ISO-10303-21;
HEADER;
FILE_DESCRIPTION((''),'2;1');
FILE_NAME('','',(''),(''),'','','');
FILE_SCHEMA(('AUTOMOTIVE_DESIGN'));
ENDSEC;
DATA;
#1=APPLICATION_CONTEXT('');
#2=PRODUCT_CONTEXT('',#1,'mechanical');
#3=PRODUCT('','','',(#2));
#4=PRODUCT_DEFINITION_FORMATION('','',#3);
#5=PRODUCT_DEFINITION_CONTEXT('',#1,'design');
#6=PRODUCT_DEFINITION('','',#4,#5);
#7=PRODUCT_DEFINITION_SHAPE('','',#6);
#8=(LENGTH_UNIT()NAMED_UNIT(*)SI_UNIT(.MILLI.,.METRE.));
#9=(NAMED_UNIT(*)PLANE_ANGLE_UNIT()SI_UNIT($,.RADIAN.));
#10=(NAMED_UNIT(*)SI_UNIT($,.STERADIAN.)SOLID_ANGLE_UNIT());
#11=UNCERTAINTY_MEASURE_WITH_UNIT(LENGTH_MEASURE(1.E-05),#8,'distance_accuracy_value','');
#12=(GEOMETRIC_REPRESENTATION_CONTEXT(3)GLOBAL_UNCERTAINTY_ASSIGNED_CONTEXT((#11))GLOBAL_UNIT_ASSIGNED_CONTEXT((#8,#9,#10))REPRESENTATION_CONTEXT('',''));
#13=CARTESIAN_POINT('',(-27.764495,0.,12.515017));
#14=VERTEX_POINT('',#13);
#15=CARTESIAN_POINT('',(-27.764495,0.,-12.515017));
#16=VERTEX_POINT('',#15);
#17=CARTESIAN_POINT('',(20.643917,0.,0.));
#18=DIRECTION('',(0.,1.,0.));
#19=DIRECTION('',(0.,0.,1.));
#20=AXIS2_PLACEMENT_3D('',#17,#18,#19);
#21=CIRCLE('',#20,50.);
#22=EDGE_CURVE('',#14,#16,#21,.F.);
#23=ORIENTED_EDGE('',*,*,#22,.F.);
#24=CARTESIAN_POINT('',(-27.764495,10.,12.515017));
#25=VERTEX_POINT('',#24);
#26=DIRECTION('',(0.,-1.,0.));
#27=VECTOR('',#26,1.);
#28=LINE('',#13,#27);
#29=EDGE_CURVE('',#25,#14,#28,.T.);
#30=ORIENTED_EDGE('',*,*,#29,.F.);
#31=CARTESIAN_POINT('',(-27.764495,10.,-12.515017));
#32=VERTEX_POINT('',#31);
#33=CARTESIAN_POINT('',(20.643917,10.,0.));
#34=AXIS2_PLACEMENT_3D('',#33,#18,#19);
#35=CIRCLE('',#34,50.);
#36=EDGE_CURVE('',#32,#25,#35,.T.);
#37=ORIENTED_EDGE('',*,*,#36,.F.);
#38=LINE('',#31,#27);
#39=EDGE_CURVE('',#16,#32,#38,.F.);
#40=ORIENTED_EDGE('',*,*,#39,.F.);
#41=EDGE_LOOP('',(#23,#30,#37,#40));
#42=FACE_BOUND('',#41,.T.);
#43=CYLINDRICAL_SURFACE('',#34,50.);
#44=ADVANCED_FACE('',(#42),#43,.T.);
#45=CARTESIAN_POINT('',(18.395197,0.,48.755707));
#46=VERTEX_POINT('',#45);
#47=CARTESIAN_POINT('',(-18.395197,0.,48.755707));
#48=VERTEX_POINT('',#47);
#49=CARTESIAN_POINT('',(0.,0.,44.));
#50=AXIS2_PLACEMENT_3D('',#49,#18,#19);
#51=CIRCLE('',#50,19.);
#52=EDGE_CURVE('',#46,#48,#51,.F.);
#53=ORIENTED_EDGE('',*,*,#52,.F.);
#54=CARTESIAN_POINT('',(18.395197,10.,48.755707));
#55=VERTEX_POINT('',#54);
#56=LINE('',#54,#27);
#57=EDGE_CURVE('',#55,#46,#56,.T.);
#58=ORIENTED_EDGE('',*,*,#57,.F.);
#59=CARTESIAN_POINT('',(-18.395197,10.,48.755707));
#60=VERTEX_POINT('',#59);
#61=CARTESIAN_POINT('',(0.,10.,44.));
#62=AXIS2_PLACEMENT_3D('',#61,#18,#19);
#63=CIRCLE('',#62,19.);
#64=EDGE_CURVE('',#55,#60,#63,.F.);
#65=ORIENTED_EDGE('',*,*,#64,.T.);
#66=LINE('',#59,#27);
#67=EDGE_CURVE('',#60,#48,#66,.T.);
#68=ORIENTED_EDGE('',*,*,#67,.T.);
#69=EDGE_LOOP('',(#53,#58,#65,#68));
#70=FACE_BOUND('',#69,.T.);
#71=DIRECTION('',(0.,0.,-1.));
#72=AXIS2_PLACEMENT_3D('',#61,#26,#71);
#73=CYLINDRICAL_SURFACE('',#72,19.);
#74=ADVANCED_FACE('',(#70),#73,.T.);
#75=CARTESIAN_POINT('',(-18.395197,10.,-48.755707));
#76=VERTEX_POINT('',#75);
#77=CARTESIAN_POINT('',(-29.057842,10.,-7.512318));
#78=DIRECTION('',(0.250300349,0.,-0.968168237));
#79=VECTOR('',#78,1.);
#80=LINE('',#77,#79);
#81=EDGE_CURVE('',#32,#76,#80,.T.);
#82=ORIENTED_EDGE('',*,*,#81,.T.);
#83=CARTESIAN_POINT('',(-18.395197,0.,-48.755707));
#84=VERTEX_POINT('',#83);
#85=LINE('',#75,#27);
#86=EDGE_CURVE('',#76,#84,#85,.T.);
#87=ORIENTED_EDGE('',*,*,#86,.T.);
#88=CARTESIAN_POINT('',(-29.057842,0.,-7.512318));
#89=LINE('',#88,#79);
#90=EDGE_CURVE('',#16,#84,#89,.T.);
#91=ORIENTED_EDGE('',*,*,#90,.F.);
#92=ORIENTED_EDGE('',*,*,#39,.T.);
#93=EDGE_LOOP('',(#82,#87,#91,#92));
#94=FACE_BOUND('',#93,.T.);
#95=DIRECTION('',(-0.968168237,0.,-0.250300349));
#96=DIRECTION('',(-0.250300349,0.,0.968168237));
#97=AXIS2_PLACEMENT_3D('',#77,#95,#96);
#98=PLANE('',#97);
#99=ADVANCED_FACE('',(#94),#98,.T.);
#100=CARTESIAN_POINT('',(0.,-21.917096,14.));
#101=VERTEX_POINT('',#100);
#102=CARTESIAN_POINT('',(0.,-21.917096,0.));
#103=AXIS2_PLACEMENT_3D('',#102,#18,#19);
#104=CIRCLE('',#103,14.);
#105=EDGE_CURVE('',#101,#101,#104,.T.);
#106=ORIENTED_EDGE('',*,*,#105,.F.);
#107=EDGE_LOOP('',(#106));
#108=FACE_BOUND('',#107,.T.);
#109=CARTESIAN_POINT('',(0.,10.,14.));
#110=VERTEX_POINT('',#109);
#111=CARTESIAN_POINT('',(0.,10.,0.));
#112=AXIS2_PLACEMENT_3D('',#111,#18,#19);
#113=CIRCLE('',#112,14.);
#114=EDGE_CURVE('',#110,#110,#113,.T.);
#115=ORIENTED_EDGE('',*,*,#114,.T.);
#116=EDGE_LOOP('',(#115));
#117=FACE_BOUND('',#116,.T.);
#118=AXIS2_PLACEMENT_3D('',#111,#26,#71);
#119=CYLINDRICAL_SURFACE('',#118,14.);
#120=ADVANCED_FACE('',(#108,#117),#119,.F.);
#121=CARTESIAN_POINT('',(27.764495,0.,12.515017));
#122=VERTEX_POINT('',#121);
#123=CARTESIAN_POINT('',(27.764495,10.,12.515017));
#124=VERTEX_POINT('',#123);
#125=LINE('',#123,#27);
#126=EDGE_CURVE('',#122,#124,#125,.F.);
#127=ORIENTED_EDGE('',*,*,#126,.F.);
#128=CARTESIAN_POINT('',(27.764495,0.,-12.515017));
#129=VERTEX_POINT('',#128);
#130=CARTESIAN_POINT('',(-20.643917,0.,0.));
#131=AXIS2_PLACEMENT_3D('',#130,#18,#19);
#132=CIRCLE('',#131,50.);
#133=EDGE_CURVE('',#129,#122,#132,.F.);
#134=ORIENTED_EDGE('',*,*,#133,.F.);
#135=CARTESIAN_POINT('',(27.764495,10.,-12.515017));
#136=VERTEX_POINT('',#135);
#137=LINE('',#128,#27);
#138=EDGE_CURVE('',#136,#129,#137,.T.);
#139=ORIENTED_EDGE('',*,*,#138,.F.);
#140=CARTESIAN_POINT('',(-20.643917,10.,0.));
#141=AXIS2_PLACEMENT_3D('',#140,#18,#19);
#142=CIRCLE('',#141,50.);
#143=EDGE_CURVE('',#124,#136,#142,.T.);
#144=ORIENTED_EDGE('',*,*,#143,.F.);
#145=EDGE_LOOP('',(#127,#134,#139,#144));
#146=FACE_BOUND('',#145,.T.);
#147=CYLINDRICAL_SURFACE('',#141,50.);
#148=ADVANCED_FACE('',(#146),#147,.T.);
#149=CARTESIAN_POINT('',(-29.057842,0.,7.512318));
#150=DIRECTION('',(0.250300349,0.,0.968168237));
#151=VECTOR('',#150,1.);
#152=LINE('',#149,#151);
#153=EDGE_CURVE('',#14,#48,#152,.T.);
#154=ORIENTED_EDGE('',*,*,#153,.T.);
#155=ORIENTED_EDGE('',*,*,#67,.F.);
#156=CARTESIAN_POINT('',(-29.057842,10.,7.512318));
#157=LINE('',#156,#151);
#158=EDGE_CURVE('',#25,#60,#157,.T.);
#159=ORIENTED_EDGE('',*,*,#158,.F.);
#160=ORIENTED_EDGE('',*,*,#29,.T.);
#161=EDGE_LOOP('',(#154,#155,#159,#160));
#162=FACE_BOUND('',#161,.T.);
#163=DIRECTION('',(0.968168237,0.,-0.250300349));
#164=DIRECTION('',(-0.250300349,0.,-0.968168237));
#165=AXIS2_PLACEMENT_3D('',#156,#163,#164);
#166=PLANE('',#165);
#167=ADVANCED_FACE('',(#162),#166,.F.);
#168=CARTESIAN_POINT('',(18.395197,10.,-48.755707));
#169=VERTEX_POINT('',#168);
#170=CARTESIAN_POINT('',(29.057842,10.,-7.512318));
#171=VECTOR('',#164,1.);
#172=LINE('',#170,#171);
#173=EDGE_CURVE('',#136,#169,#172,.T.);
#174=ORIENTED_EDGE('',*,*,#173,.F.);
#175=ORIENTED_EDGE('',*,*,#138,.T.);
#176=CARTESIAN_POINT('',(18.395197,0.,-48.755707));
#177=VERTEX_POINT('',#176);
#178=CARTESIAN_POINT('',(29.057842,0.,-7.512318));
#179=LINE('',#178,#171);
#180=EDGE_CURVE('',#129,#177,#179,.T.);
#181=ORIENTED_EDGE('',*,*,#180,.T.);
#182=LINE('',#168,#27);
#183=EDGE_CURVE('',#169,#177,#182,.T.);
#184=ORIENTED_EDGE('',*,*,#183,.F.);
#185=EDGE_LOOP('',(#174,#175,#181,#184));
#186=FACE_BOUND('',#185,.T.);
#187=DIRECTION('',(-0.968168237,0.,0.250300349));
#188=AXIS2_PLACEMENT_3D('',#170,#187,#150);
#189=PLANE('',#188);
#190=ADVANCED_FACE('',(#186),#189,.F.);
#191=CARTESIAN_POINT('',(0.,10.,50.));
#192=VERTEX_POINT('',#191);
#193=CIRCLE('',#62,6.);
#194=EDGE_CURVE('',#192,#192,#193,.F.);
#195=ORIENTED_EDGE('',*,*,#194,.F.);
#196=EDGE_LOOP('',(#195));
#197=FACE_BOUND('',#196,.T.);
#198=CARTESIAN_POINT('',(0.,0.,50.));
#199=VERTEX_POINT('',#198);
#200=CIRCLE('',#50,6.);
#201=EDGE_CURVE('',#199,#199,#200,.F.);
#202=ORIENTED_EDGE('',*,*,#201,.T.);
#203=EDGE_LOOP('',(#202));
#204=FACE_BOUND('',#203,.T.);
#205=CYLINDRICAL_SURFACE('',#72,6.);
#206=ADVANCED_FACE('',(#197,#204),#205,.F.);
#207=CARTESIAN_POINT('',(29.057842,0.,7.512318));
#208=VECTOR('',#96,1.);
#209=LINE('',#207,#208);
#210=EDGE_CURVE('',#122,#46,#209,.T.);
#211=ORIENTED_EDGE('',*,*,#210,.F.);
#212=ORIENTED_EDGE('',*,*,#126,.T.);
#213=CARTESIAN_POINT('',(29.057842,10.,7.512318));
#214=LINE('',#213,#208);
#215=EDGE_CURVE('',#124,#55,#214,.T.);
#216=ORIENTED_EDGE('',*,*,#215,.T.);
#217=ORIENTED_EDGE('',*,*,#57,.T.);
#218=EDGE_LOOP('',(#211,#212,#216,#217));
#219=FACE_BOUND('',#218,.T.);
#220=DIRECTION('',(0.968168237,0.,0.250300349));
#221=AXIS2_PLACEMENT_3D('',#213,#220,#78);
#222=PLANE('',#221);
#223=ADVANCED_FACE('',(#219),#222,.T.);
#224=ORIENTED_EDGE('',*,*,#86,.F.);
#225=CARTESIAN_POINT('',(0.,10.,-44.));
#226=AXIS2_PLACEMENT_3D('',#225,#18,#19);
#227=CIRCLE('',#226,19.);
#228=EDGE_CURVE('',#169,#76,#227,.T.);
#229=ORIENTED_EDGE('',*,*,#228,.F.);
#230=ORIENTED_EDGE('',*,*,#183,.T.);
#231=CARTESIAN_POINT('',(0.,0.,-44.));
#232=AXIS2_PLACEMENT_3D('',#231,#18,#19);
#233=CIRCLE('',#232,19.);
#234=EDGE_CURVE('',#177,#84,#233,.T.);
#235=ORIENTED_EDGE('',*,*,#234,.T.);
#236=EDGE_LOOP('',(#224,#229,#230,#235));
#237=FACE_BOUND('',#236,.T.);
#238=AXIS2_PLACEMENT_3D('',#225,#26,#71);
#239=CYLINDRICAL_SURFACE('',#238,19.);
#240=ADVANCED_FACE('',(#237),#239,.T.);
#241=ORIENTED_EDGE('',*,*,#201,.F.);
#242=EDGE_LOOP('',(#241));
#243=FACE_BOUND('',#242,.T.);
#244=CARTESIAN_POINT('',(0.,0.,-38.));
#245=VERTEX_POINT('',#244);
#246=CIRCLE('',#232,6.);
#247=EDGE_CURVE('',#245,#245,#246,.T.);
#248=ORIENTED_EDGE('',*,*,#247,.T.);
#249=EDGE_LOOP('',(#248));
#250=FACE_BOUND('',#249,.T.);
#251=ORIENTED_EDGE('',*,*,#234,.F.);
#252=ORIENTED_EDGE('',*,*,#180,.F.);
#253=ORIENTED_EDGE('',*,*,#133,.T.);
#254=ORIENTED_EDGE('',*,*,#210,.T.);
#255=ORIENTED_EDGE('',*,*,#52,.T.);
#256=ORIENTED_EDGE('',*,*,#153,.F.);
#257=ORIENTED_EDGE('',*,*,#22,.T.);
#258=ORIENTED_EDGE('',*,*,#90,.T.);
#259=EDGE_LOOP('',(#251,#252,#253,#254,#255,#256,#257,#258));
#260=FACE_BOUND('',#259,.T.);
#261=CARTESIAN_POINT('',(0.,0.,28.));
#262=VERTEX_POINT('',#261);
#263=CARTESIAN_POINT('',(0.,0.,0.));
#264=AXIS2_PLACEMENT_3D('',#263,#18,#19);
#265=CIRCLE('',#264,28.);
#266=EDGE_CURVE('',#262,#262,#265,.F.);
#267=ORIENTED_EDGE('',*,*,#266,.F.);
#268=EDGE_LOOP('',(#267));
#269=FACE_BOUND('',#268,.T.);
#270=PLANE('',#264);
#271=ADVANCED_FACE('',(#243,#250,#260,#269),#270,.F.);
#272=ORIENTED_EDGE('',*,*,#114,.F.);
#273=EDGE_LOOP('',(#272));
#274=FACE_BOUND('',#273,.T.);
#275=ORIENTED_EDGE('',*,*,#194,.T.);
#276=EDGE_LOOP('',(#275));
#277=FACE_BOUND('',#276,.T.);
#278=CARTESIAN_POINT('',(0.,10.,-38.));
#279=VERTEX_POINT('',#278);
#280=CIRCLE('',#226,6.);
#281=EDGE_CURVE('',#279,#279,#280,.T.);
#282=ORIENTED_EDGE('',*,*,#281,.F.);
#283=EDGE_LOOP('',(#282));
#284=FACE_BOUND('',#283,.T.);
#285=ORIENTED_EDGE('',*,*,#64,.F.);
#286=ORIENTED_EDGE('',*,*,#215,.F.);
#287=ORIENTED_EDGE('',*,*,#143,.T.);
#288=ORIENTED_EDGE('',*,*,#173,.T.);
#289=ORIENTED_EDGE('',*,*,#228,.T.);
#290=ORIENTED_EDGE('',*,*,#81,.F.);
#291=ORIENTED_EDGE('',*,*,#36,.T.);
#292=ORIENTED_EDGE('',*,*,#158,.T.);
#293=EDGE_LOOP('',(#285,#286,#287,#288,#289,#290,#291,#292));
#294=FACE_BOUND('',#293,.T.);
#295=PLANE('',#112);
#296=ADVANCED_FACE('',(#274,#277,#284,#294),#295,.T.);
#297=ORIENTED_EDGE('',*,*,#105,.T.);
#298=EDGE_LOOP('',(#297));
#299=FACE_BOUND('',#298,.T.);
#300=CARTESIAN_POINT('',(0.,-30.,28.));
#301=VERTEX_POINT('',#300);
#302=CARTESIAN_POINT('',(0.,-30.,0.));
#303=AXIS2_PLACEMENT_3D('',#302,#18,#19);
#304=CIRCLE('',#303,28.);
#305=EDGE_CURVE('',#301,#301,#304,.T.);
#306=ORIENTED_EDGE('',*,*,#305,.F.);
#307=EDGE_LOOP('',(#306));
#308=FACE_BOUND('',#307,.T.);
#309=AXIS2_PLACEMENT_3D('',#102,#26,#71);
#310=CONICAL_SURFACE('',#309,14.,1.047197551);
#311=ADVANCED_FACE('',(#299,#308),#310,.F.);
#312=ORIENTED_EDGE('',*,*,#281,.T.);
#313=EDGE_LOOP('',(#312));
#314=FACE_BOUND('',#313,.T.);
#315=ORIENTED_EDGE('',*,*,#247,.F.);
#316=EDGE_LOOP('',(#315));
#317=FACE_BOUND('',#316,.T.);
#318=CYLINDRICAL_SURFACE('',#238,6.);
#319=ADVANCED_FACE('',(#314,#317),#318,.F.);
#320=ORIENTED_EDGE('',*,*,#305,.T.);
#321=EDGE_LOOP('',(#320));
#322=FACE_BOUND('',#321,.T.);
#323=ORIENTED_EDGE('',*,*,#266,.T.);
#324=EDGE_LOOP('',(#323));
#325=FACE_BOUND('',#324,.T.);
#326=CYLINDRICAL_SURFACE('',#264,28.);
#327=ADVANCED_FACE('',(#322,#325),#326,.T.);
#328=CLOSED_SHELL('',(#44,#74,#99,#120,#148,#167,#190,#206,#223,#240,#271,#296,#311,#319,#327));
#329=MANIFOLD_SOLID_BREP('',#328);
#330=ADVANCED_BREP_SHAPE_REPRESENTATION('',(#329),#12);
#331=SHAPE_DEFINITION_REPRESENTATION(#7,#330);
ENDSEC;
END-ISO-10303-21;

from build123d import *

# Parameters (mm, degrees)
SKETCH1_R           = 14
SKETCH1_R_2         = 19
SKETCH1_R_3         = 6
BOSS_EXTRUDE1_DEPTH = 10
FILLET1_R           = 50


with BuildPart() as part:
    # Sketch1 → Boss-Extrude1 (new body)
    # profile 1 of 3: a face of its own
    with BuildSketch(Plane(origin=(0, 0, 0), x_dir=(1, 0, 0), z_dir=(0, 1, 0))):
        with BuildLine():
            Line((-18.395196505, 48.755706629), (-31, 0))
            Line((-31, 0), (-18.395196505, -48.755706629))
            ThreePointArc((-18.395196505, -48.755706629), (-2.397005048, -25.151807333), (19, -44))
            ThreePointArc((19, -44), (18.848192667, -46.397005048), (18.395196505, -48.755706629))
            Line((18.395196505, -48.755706629), (31, 0))
            Line((31, 0), (18.395196505, 48.755706629))
            ThreePointArc((18.395196505, 48.755706629), (18.848192667, 46.397005048), (19, 44))
            ThreePointArc((19, 44), (-2.397005048, 25.151807333), (-18.395196505, 48.755706629))
        make_face()
        with Locations(Location((0, 0, 0), (0, 0, 270))):
            Circle(SKETCH1_R, mode=Mode.SUBTRACT)
    # profile 2 of 3: a face of its own
    with BuildSketch(Plane(origin=(0, 0, 0), x_dir=(1, 0, 0), z_dir=(0, 1, 0))):
        with Locations((0, -44)):
            Circle(SKETCH1_R_2)
        with Locations(Location((0, -44, 0), (0, 0, 270))):
            Circle(SKETCH1_R_3, mode=Mode.SUBTRACT)
    # profile 3 of 3: a face of its own
    with BuildSketch(Plane(origin=(0, 0, 0), x_dir=(1, 0, 0), z_dir=(0, 1, 0))):
        with Locations((0, 44)):
            Circle(SKETCH1_R_2)
        with Locations(Location((0, 44, 0), (0, 0, 270))):
            Circle(SKETCH1_R_3, mode=Mode.SUBTRACT)
    extrude(amount=BOSS_EXTRUDE1_DEPTH)

    # Fillet1
    fillet1_edges = [part.edges().sort_by_distance(p)[0] for p in [
        (-31, 5, 0),
        (31, 5, 0),
    ]]
    fillet(fillet1_edges, radius=FILLET1_R)

    # Sketch2 → Revolve1 (revolve)
    with BuildSketch(Plane.XY, mode=Mode.PRIVATE) as revolve1_sk:
        Polygon((14, 0), (28, 0), (28, -30), (14, -21.917096231), align=None)
    revolve(revolve1_sk.sketch.rotate(Axis((0, 0, 0), (0, -1, 0)), 90), axis=Axis((0, 0, 0), (0, -1, 0)))


solid = part.part
